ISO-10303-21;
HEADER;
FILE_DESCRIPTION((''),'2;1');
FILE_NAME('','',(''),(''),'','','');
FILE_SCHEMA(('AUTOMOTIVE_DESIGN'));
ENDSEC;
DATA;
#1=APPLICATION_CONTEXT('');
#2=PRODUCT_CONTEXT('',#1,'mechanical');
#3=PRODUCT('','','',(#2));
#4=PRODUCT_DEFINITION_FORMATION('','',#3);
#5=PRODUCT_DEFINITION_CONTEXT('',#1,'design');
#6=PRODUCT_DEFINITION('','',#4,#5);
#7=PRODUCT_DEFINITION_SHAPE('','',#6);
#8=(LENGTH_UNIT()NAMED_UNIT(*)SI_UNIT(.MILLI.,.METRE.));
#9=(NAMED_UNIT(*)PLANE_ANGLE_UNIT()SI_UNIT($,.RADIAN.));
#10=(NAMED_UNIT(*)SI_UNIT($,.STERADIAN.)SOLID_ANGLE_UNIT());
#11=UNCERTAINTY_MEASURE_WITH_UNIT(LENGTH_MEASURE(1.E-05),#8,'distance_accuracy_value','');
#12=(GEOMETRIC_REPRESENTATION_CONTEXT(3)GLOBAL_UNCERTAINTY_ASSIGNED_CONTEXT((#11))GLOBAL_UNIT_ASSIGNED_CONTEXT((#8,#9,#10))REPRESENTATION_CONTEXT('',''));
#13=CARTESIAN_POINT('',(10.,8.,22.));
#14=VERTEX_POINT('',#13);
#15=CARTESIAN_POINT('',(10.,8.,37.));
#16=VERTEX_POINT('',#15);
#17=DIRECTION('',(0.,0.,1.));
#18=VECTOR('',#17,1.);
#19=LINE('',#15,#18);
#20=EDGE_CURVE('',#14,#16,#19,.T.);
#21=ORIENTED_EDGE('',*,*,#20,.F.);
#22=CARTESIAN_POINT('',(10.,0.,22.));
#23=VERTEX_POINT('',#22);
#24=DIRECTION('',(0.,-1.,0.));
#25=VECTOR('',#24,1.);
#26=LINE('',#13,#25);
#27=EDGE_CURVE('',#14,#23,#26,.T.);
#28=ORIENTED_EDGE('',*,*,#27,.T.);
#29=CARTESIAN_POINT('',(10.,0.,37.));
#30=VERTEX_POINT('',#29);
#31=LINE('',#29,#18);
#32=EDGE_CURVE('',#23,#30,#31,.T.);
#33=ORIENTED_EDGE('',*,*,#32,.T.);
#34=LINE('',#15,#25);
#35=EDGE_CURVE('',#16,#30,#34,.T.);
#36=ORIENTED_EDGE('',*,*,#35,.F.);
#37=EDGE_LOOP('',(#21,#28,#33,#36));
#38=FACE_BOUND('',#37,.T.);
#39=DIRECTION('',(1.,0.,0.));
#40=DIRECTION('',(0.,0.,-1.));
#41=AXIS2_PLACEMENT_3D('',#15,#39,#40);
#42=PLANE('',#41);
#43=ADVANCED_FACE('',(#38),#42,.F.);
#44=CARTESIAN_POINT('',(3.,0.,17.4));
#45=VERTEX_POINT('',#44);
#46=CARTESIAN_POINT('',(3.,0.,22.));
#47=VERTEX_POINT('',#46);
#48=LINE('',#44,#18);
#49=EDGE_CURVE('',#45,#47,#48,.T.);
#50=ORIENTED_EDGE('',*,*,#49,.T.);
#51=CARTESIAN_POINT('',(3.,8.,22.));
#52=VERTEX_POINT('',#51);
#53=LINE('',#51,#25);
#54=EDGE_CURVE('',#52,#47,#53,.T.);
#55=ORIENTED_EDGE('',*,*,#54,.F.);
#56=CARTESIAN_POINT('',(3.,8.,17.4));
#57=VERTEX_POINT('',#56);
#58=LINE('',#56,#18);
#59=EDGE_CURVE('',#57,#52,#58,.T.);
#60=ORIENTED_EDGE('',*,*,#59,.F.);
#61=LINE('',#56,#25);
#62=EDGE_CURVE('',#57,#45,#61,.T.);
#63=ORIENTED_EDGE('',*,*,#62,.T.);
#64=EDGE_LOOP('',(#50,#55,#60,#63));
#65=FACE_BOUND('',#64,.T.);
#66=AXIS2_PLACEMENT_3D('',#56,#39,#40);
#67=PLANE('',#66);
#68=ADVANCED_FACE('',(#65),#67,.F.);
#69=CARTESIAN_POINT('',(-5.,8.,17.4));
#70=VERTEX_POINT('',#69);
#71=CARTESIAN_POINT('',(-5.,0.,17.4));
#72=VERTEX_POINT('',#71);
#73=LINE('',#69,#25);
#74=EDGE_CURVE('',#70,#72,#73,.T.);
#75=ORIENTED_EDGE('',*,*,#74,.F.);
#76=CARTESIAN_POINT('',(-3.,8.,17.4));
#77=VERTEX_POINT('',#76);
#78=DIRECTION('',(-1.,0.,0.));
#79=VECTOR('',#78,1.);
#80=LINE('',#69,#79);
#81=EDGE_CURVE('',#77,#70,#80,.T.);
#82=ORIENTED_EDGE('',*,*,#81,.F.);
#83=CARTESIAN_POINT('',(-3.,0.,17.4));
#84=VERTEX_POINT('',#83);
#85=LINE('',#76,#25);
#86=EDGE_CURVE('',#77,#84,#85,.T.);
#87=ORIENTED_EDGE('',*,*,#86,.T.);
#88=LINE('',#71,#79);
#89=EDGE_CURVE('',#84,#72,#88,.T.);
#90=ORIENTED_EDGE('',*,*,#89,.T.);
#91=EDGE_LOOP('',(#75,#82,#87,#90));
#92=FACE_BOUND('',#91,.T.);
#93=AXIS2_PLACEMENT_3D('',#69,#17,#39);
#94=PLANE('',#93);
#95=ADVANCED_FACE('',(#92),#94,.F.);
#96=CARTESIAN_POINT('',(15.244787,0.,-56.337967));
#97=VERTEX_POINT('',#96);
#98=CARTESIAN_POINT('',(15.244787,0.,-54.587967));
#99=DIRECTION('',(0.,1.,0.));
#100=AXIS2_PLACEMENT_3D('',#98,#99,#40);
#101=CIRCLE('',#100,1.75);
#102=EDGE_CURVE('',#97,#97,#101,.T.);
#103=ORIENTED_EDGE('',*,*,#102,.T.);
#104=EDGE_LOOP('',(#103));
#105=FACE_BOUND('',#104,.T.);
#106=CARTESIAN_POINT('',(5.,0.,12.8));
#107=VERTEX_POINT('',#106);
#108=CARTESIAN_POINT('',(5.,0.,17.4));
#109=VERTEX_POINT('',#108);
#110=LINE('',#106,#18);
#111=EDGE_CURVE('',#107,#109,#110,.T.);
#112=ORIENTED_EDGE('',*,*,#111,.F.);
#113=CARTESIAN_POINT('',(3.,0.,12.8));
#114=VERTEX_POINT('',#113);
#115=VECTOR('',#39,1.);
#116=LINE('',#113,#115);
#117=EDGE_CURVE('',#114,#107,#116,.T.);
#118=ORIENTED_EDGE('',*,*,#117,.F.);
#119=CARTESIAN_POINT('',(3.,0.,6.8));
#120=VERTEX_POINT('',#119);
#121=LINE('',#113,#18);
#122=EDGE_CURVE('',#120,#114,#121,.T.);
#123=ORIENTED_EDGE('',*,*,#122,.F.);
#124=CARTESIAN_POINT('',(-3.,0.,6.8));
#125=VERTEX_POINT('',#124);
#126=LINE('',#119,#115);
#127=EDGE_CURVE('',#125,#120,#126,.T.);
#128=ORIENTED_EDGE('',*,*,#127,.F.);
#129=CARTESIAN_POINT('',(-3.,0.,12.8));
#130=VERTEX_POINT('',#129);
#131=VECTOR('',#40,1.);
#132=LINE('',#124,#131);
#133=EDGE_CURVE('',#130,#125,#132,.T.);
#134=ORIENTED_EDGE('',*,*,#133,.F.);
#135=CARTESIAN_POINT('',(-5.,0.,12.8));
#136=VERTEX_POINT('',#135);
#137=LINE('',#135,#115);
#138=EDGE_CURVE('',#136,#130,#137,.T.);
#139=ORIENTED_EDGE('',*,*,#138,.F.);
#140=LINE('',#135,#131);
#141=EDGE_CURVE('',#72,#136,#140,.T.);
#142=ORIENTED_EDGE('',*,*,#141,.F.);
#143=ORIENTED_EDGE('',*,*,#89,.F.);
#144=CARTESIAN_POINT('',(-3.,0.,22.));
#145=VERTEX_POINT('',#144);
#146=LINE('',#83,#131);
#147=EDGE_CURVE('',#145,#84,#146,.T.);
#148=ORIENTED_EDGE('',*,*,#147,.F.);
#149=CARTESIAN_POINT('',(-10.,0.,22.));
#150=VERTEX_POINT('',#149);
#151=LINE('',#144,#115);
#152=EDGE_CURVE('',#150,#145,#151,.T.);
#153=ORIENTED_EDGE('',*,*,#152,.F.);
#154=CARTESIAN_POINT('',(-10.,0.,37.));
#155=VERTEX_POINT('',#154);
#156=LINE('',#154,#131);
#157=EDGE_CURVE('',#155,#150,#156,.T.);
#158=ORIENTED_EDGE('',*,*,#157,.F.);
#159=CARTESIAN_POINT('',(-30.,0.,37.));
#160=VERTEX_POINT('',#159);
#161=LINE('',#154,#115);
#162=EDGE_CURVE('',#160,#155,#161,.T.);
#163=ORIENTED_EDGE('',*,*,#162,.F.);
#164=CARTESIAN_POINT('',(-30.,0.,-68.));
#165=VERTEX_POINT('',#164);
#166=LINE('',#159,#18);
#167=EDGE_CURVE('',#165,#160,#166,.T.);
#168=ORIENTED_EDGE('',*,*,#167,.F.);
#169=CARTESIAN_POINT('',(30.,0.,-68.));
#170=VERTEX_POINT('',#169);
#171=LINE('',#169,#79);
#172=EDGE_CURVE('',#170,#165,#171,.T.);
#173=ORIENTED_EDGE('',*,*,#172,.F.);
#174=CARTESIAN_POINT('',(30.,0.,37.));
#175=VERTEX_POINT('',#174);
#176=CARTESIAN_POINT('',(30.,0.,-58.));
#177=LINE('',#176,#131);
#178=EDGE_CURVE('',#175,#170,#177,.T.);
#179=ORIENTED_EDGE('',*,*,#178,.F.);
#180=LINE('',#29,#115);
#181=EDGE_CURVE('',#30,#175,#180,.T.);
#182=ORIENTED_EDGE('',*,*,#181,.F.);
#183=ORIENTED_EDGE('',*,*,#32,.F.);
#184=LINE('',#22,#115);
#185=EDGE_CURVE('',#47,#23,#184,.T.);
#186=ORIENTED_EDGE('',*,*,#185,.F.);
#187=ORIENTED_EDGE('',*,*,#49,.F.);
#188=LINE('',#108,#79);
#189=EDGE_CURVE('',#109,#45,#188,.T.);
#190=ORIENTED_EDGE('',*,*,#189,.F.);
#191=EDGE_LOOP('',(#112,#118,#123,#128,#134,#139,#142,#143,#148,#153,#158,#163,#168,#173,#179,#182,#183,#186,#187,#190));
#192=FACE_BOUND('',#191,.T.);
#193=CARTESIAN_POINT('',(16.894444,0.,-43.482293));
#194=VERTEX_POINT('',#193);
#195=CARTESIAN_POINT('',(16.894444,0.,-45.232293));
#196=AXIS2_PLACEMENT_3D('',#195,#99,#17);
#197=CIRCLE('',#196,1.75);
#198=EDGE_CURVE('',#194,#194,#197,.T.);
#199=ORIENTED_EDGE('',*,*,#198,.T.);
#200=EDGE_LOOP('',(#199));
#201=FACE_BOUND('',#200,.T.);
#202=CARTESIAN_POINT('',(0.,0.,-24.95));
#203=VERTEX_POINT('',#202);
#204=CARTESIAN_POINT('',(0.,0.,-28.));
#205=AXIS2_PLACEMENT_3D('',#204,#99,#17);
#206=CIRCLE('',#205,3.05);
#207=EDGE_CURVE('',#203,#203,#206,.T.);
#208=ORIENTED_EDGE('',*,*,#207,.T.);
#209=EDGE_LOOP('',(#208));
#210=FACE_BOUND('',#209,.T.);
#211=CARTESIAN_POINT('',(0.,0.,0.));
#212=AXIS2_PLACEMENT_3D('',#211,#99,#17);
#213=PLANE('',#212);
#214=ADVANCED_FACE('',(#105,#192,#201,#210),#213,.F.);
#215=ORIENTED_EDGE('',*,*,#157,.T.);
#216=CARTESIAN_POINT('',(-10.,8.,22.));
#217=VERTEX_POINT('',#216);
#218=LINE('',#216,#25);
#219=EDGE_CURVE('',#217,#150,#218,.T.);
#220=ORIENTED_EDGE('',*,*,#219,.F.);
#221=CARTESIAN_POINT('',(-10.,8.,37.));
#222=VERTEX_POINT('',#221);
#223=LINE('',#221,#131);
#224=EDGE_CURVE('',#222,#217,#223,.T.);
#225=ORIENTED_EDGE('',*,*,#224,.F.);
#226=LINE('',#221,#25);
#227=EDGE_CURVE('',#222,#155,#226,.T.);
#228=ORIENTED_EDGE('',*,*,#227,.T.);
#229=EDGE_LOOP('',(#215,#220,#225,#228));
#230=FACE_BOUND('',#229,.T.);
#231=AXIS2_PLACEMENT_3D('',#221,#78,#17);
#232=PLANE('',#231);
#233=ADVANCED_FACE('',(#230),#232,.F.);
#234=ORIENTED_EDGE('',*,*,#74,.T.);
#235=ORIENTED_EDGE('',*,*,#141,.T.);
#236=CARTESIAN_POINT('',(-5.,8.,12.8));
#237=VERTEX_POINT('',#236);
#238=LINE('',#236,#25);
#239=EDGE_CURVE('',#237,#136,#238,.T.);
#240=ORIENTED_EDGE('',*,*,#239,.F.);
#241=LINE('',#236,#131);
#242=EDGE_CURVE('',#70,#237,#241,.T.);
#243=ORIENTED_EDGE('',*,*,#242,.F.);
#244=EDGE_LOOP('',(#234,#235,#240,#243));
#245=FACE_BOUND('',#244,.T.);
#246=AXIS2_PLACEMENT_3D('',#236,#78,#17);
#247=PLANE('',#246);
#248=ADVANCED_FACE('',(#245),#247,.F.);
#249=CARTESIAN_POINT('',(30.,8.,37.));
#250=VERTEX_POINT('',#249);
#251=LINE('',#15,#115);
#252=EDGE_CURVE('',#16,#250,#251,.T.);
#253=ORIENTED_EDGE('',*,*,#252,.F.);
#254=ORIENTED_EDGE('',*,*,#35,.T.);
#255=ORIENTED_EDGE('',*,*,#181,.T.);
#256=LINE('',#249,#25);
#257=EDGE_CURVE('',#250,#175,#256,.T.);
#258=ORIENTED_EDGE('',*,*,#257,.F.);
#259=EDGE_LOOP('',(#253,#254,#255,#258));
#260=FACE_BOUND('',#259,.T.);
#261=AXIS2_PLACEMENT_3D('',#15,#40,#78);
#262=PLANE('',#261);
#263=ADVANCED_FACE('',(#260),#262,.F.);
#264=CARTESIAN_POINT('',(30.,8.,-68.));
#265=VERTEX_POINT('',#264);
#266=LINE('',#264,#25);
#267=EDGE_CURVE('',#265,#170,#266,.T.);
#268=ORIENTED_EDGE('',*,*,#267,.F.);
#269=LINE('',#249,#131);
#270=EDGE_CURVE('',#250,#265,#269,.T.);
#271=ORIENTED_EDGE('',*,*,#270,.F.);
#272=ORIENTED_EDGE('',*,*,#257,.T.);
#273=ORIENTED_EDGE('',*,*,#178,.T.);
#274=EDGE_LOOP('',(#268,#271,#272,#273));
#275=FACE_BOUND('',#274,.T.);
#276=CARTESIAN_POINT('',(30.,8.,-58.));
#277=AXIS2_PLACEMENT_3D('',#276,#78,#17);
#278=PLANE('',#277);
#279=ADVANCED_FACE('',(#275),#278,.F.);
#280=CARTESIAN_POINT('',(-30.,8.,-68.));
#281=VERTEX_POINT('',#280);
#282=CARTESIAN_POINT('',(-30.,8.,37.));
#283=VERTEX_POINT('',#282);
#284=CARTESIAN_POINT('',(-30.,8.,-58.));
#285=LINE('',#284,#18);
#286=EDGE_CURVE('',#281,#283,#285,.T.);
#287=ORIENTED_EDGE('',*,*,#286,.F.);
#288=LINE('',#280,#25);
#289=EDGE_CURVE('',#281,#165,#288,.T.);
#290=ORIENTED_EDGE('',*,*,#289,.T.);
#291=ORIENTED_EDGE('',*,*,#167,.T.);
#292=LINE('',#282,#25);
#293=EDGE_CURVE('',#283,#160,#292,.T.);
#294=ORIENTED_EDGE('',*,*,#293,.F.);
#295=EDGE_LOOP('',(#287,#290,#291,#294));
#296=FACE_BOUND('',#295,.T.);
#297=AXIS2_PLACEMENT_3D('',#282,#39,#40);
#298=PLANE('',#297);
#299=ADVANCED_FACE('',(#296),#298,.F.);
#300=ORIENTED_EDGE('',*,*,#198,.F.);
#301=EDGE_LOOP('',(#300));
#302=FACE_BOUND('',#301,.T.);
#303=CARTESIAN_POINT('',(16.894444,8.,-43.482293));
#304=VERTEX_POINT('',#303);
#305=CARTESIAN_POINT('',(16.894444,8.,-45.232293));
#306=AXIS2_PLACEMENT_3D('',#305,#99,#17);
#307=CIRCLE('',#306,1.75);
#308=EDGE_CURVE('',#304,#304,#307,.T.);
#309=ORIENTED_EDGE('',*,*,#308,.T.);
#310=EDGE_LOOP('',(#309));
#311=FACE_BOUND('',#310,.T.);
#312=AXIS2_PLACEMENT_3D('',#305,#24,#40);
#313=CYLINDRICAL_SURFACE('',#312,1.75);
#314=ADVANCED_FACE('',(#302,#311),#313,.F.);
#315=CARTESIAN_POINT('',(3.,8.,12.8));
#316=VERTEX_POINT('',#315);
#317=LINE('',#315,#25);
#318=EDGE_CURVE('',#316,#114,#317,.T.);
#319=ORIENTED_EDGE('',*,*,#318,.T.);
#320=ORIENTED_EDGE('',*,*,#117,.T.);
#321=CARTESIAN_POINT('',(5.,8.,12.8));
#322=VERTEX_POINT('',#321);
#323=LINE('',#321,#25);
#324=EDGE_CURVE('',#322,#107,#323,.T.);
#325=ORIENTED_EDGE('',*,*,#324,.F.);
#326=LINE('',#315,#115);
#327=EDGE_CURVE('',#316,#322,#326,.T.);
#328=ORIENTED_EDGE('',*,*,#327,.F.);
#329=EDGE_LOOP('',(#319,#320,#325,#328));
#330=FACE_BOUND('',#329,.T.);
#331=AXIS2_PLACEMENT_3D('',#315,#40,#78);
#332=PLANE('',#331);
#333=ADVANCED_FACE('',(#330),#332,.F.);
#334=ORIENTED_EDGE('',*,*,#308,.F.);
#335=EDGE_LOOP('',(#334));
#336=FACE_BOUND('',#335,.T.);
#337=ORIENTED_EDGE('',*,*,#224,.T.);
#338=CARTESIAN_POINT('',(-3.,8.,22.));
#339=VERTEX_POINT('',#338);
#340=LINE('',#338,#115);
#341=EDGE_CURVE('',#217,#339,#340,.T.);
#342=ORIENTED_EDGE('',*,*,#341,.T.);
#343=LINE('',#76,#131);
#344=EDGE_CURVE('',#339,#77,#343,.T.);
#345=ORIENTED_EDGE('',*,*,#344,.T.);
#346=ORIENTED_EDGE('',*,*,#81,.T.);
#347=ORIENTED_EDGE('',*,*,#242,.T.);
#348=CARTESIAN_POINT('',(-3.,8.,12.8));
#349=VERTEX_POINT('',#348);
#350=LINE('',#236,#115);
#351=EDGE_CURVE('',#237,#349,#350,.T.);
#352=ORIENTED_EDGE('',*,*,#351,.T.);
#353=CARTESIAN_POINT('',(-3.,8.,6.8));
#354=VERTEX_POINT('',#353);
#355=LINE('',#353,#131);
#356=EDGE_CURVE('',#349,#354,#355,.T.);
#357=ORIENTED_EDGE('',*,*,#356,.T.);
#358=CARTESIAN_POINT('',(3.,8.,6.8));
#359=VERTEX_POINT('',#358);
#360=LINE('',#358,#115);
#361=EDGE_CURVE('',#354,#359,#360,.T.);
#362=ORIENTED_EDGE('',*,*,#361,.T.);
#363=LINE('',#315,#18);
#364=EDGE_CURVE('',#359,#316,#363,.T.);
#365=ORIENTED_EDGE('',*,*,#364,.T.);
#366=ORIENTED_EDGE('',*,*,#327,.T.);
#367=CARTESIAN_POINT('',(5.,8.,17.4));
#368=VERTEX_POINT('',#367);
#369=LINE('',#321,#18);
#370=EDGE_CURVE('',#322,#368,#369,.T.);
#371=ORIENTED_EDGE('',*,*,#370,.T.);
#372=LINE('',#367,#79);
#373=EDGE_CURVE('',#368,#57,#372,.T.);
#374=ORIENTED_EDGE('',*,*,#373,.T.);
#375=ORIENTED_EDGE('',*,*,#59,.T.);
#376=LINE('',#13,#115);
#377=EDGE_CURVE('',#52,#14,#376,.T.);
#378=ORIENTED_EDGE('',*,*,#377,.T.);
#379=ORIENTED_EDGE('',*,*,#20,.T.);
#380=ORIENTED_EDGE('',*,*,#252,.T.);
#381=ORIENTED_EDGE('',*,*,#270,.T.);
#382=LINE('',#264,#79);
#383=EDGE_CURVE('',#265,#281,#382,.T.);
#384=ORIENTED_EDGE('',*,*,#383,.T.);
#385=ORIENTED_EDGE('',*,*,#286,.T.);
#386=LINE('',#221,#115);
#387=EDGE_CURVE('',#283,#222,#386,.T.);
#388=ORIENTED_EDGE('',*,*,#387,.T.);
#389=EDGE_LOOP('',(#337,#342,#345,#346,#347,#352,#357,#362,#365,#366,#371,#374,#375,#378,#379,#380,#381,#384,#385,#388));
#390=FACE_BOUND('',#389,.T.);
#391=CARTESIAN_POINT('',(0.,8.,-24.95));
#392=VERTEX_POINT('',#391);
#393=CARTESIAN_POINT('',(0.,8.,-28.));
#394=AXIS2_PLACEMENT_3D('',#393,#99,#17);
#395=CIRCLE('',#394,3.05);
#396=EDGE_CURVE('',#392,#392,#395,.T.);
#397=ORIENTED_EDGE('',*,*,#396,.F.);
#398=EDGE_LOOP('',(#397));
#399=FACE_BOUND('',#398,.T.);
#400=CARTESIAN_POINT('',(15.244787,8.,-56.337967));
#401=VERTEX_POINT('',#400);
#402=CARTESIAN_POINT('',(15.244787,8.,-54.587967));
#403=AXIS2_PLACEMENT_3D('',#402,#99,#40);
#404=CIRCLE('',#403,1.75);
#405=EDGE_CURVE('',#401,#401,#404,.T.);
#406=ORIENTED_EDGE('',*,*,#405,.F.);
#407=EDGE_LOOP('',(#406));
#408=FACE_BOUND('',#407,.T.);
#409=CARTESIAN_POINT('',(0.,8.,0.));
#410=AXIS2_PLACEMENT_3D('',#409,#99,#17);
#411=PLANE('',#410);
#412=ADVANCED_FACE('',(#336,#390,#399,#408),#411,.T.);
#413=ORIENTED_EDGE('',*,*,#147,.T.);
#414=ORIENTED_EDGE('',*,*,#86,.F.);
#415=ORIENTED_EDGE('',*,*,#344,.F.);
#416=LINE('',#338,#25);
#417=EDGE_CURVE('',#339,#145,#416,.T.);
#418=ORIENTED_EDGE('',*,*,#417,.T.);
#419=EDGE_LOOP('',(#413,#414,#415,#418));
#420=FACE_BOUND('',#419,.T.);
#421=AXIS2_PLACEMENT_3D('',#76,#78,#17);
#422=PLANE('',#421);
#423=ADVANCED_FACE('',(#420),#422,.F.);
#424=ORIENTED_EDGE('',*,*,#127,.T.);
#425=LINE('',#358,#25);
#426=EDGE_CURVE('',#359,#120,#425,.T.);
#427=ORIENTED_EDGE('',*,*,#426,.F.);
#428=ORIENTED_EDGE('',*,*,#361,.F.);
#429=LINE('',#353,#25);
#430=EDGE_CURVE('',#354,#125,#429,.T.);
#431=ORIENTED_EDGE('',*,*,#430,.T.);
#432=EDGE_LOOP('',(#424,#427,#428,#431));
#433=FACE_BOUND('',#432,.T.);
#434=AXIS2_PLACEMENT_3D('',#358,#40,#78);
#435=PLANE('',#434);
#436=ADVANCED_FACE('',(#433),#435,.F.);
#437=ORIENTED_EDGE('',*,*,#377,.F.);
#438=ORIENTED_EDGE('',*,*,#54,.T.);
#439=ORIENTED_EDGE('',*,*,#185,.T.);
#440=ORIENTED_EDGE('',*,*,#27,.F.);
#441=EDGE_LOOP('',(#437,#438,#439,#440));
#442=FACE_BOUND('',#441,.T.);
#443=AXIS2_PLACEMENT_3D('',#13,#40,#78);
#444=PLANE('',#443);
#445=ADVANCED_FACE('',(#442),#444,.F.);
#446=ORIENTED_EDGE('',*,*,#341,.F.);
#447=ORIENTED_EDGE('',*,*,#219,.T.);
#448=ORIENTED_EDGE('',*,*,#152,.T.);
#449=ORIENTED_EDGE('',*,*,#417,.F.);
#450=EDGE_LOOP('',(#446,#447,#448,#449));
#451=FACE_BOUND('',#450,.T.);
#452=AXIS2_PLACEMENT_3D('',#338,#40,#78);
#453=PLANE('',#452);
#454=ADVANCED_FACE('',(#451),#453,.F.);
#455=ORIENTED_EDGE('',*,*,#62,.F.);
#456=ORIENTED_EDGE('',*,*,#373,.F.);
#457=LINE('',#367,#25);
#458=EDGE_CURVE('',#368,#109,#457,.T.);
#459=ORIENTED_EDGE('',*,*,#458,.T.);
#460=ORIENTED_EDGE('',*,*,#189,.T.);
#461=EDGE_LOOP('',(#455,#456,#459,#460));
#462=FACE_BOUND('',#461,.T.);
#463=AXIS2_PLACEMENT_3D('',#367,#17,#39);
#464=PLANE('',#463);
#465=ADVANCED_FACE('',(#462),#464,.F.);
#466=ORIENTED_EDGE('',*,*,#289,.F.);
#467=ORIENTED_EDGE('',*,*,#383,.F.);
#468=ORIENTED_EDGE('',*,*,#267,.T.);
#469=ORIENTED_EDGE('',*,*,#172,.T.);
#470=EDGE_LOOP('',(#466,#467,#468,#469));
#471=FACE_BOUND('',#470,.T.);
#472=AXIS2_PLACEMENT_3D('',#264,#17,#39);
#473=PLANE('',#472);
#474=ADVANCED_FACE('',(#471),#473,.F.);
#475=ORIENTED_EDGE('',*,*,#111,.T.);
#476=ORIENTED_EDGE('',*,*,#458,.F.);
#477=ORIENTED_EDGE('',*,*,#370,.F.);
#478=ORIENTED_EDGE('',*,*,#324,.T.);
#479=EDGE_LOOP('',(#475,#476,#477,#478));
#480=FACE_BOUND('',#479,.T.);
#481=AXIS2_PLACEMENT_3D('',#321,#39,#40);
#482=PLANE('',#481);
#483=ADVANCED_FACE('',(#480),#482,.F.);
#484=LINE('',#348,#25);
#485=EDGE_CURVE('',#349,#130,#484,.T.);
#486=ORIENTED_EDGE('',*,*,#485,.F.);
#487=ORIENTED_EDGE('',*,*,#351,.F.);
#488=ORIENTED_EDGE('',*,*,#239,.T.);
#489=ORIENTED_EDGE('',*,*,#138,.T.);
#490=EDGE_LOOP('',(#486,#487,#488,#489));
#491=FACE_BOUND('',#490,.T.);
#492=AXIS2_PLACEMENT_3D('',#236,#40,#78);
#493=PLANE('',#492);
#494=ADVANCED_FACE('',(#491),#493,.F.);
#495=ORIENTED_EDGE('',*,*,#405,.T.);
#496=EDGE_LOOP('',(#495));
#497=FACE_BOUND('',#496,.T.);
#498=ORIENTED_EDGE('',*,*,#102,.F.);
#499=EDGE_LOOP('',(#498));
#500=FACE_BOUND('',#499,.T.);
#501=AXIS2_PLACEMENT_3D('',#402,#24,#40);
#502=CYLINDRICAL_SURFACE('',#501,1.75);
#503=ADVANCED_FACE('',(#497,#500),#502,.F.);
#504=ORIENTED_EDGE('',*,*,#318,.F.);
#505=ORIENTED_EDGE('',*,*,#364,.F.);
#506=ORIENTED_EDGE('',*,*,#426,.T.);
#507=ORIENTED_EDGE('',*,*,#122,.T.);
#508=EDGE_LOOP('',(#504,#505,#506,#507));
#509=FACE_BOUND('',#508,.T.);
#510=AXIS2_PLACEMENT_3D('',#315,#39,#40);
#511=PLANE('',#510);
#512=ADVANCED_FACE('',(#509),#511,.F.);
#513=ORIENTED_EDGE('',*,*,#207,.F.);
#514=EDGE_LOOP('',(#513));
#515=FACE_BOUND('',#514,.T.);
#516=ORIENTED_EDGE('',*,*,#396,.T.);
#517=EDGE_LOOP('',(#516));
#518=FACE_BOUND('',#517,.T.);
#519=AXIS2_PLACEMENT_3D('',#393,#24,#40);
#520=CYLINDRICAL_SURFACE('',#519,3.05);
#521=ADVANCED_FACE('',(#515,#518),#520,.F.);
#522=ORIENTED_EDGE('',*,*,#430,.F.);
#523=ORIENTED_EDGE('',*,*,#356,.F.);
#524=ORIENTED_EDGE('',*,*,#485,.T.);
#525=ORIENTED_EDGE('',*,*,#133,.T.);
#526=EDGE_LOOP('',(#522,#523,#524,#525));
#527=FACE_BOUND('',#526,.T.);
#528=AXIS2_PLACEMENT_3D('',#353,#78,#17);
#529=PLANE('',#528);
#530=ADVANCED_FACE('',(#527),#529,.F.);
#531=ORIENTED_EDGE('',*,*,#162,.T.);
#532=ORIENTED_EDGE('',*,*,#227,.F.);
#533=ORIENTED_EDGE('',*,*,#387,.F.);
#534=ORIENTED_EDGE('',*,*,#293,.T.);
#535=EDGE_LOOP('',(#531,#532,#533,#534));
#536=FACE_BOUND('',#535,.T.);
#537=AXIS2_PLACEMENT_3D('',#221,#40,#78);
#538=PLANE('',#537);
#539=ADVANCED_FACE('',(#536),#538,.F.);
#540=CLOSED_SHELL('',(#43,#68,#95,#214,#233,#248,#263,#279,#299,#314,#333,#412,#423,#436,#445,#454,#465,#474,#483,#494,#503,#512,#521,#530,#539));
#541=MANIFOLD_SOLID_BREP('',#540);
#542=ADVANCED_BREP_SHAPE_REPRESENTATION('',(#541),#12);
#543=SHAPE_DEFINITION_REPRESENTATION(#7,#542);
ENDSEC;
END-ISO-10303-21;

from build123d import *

# Parameters (mm, degrees)
SKETCH1_R           = 3.05
SKETCH1_R_2         = 1.75
BOSS_EXTRUDE1_DEPTH = 8


with BuildPart() as part:
    # Sketch1 → Boss-Extrude1 (new body)
    with BuildSketch(Plane(origin=(0, 0, 0), x_dir=(1, 0, 0), z_dir=(0, 1, 0))):
        Polygon((-10, -37), (-10, -22), (-3, -22), (-3, -17.4), (-5, -17.4), (-5, -12.8), (-3, -12.8), (-3, -6.8), (3, -6.8), (3, -12.8), (5, -12.8), (5, -17.4), (3, -17.4), (3, -22), (10, -22), (10, -37), (30, -37), (30, 38), (30, 58), (30, 68), (-30, 68), (-30, 58), (-30, 38), (-30, -37), align=None)
        with Locations(Location((0, 28, 0), (0, 0, 270))):
            Circle(SKETCH1_R, mode=Mode.SUBTRACT)
        with Locations(Location((16.89444432, 45.232293128, 0), (0, 0, 270))):
            Circle(SKETCH1_R_2, mode=Mode.SUBTRACT)
        with Locations(Location((15.244786632, 54.587966781, 0), (0, 0, 90))):
            Circle(SKETCH1_R_2, mode=Mode.SUBTRACT)
    extrude(amount=BOSS_EXTRUDE1_DEPTH)


solid = part.part
